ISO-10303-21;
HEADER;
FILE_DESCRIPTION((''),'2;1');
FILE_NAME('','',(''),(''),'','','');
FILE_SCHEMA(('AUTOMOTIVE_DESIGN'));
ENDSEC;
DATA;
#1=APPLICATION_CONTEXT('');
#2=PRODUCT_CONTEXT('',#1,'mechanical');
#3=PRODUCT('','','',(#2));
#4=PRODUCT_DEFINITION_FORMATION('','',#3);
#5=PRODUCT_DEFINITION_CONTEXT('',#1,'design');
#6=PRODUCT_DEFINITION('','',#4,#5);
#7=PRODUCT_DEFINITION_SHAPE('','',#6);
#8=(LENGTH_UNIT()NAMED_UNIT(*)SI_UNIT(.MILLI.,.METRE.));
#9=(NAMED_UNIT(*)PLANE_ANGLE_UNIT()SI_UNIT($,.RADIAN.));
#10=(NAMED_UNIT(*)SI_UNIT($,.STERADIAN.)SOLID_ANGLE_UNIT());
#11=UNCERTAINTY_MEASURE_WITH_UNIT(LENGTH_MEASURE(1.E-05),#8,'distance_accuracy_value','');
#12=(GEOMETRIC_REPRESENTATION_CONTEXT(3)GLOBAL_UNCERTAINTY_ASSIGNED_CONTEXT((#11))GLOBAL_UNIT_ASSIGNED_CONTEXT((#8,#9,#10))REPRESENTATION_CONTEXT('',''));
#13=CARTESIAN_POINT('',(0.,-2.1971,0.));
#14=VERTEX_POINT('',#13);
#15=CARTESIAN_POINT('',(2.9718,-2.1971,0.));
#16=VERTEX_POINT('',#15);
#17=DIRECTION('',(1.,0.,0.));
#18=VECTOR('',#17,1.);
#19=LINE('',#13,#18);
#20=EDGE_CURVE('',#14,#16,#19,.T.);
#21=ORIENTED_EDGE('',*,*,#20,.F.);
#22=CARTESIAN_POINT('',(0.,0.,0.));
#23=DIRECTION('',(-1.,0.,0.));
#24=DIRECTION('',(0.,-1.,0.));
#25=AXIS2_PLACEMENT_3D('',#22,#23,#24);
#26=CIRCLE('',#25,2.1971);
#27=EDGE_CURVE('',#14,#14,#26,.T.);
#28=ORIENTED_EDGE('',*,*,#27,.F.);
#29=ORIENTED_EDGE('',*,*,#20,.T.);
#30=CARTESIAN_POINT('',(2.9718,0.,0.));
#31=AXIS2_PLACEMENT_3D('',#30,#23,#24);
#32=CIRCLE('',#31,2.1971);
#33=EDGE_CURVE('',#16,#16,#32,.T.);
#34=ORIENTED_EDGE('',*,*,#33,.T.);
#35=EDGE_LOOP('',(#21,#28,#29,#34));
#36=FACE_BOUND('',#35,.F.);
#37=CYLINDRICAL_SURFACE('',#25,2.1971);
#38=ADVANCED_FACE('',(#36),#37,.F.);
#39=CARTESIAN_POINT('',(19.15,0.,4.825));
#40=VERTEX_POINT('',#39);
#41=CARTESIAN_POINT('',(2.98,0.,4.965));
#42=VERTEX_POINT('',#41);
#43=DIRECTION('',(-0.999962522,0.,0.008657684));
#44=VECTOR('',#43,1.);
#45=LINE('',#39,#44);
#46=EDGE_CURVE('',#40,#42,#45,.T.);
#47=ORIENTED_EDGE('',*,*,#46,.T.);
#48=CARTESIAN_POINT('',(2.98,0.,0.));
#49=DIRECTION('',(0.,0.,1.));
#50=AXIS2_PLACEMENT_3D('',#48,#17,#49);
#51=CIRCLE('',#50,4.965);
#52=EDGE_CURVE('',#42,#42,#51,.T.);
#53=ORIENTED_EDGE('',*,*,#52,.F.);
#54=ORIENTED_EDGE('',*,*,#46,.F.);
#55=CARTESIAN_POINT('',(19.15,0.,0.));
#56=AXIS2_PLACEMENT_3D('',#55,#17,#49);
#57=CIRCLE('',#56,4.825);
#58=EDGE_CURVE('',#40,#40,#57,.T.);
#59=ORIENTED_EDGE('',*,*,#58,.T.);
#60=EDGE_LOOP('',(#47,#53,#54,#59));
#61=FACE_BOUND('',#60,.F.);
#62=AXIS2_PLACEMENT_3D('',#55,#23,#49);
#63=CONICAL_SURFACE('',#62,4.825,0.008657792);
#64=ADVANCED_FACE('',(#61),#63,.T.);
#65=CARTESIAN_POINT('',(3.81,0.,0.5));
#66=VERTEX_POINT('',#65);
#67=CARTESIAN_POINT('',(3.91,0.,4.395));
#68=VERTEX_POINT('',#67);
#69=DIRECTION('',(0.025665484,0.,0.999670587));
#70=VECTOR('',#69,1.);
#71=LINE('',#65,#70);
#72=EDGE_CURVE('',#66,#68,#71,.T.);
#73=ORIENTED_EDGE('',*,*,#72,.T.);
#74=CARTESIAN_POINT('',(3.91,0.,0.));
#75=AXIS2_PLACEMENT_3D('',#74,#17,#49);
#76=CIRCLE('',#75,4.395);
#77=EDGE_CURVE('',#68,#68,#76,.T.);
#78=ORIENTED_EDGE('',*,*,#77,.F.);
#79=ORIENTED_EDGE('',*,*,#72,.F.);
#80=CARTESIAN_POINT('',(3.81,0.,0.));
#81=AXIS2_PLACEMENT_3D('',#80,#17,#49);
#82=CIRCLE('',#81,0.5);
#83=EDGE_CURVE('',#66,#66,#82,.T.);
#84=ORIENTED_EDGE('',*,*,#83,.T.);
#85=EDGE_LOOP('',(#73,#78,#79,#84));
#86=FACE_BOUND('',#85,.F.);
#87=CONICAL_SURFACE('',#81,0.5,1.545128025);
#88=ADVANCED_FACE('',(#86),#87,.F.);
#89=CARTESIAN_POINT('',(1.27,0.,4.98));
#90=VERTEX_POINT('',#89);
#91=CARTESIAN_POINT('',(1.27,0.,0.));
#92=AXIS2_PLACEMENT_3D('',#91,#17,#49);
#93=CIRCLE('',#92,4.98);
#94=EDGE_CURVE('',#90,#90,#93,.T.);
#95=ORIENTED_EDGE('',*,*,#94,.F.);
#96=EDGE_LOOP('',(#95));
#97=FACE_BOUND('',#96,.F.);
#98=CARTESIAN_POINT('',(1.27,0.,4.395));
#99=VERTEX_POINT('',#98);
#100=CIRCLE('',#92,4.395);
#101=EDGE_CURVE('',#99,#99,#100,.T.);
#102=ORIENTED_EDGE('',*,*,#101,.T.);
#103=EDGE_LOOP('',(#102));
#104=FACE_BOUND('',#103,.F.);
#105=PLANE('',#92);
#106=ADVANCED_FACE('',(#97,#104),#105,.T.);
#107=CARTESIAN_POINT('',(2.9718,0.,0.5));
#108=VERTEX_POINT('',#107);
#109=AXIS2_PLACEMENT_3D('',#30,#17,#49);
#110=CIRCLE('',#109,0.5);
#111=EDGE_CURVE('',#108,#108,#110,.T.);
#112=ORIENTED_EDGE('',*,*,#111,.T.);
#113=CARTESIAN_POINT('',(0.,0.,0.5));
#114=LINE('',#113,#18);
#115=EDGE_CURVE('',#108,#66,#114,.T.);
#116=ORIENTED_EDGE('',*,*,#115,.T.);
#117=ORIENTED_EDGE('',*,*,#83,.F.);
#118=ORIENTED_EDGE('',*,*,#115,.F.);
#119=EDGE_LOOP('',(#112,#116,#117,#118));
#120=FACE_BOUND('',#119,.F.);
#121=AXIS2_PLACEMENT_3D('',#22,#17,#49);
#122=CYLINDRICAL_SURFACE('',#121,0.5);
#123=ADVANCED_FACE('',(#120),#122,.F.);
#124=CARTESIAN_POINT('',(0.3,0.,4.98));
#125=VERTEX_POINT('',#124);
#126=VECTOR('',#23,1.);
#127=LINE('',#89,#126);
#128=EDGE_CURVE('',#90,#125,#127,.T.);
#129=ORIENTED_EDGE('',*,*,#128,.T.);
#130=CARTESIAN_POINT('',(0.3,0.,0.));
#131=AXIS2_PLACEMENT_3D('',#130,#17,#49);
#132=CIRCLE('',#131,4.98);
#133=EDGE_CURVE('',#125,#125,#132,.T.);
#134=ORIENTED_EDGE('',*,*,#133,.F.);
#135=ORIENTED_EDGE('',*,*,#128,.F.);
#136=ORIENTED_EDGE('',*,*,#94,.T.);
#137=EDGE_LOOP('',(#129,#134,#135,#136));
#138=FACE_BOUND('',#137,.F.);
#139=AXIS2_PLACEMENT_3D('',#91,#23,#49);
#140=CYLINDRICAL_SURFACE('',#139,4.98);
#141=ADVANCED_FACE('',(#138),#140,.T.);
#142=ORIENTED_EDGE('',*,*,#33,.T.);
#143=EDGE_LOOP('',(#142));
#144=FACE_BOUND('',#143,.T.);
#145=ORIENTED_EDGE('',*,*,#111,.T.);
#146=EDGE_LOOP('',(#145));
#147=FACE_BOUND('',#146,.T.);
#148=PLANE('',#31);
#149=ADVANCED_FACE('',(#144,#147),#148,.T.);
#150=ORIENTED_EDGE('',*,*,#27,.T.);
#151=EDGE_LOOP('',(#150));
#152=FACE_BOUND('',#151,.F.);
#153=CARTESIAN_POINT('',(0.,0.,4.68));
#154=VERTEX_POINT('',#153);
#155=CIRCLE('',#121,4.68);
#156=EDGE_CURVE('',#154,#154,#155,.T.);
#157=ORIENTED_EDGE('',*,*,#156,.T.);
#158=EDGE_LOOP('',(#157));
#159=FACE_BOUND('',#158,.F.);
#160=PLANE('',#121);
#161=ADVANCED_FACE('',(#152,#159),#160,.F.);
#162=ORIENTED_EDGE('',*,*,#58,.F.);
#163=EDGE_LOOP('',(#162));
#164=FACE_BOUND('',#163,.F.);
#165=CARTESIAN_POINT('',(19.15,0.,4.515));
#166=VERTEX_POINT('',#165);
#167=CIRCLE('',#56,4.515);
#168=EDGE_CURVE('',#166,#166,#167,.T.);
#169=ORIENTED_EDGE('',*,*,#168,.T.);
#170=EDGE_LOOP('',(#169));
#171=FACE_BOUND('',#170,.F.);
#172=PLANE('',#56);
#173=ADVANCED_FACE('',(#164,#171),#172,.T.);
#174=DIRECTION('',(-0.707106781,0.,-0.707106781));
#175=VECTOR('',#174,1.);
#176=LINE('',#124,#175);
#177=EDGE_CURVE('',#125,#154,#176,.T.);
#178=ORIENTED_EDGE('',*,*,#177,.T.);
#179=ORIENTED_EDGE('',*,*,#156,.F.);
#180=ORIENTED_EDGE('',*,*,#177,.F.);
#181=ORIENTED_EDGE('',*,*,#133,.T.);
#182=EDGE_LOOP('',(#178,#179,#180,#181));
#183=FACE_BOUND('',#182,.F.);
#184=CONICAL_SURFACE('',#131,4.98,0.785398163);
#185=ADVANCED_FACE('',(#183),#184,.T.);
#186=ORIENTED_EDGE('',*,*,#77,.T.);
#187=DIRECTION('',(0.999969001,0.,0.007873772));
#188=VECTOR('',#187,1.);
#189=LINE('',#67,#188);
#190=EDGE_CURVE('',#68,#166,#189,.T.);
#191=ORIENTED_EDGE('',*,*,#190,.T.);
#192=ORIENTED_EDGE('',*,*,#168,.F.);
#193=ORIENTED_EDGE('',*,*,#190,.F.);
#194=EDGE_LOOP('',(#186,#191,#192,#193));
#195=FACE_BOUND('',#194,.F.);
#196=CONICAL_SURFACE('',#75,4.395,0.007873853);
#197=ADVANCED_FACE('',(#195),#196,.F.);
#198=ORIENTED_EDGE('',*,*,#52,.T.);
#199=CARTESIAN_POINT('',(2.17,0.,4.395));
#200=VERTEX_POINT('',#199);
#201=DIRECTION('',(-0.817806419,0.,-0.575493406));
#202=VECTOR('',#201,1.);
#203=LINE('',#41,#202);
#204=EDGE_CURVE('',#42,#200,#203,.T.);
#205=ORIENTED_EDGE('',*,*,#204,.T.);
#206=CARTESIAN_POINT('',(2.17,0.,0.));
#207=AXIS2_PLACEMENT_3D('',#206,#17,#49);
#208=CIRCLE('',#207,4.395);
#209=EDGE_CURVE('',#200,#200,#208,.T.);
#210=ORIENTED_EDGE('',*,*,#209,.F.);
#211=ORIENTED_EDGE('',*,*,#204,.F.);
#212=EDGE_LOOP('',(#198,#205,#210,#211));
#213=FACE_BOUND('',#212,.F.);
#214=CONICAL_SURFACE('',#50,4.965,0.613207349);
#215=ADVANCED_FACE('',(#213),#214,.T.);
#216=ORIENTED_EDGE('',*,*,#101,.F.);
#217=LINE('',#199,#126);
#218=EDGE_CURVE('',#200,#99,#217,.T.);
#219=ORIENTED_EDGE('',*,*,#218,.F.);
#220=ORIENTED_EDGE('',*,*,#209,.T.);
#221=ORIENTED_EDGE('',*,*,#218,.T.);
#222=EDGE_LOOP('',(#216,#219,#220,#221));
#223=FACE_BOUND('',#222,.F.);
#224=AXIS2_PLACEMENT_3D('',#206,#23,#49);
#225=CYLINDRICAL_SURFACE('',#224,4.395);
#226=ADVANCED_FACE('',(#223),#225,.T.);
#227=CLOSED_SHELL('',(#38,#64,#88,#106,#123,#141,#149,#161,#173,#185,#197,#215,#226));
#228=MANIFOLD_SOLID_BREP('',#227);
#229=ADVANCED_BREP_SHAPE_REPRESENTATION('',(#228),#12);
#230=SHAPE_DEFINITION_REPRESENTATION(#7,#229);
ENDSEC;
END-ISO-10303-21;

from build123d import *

# Parameters (mm, degrees)
F2_R     = 2.1971
F2_R_2   = 0.5
F3_DEPTH = 2.9718


with BuildPart() as f1:
    # F0 (on Front) → F1 (revolve)
    with BuildSketch(Plane.XZ):
        Polygon((0, 4.68), (0, 0.5), (3.81, 0.5), (3.91, 4.395), (19.15, 4.515), (19.15, 4.825), (2.98, 4.965), (2.17, 4.395), (1.27, 4.395), (1.27, 4.98), (0.3, 4.98), align=None)
    revolve(axis=Axis((19.694996, 0, 0), (1, 0, 0)))

    # F2 (on face) → F3 (cut)
    with BuildSketch(Plane(origin=(0, 0, 0), x_dir=(0, -1, 0), z_dir=(-1, 0, 0))):
        Circle(F2_R)
        Circle(F2_R_2, mode=Mode.SUBTRACT)
    extrude(amount=-F3_DEPTH, mode=Mode.SUBTRACT)


solid = f1.part
